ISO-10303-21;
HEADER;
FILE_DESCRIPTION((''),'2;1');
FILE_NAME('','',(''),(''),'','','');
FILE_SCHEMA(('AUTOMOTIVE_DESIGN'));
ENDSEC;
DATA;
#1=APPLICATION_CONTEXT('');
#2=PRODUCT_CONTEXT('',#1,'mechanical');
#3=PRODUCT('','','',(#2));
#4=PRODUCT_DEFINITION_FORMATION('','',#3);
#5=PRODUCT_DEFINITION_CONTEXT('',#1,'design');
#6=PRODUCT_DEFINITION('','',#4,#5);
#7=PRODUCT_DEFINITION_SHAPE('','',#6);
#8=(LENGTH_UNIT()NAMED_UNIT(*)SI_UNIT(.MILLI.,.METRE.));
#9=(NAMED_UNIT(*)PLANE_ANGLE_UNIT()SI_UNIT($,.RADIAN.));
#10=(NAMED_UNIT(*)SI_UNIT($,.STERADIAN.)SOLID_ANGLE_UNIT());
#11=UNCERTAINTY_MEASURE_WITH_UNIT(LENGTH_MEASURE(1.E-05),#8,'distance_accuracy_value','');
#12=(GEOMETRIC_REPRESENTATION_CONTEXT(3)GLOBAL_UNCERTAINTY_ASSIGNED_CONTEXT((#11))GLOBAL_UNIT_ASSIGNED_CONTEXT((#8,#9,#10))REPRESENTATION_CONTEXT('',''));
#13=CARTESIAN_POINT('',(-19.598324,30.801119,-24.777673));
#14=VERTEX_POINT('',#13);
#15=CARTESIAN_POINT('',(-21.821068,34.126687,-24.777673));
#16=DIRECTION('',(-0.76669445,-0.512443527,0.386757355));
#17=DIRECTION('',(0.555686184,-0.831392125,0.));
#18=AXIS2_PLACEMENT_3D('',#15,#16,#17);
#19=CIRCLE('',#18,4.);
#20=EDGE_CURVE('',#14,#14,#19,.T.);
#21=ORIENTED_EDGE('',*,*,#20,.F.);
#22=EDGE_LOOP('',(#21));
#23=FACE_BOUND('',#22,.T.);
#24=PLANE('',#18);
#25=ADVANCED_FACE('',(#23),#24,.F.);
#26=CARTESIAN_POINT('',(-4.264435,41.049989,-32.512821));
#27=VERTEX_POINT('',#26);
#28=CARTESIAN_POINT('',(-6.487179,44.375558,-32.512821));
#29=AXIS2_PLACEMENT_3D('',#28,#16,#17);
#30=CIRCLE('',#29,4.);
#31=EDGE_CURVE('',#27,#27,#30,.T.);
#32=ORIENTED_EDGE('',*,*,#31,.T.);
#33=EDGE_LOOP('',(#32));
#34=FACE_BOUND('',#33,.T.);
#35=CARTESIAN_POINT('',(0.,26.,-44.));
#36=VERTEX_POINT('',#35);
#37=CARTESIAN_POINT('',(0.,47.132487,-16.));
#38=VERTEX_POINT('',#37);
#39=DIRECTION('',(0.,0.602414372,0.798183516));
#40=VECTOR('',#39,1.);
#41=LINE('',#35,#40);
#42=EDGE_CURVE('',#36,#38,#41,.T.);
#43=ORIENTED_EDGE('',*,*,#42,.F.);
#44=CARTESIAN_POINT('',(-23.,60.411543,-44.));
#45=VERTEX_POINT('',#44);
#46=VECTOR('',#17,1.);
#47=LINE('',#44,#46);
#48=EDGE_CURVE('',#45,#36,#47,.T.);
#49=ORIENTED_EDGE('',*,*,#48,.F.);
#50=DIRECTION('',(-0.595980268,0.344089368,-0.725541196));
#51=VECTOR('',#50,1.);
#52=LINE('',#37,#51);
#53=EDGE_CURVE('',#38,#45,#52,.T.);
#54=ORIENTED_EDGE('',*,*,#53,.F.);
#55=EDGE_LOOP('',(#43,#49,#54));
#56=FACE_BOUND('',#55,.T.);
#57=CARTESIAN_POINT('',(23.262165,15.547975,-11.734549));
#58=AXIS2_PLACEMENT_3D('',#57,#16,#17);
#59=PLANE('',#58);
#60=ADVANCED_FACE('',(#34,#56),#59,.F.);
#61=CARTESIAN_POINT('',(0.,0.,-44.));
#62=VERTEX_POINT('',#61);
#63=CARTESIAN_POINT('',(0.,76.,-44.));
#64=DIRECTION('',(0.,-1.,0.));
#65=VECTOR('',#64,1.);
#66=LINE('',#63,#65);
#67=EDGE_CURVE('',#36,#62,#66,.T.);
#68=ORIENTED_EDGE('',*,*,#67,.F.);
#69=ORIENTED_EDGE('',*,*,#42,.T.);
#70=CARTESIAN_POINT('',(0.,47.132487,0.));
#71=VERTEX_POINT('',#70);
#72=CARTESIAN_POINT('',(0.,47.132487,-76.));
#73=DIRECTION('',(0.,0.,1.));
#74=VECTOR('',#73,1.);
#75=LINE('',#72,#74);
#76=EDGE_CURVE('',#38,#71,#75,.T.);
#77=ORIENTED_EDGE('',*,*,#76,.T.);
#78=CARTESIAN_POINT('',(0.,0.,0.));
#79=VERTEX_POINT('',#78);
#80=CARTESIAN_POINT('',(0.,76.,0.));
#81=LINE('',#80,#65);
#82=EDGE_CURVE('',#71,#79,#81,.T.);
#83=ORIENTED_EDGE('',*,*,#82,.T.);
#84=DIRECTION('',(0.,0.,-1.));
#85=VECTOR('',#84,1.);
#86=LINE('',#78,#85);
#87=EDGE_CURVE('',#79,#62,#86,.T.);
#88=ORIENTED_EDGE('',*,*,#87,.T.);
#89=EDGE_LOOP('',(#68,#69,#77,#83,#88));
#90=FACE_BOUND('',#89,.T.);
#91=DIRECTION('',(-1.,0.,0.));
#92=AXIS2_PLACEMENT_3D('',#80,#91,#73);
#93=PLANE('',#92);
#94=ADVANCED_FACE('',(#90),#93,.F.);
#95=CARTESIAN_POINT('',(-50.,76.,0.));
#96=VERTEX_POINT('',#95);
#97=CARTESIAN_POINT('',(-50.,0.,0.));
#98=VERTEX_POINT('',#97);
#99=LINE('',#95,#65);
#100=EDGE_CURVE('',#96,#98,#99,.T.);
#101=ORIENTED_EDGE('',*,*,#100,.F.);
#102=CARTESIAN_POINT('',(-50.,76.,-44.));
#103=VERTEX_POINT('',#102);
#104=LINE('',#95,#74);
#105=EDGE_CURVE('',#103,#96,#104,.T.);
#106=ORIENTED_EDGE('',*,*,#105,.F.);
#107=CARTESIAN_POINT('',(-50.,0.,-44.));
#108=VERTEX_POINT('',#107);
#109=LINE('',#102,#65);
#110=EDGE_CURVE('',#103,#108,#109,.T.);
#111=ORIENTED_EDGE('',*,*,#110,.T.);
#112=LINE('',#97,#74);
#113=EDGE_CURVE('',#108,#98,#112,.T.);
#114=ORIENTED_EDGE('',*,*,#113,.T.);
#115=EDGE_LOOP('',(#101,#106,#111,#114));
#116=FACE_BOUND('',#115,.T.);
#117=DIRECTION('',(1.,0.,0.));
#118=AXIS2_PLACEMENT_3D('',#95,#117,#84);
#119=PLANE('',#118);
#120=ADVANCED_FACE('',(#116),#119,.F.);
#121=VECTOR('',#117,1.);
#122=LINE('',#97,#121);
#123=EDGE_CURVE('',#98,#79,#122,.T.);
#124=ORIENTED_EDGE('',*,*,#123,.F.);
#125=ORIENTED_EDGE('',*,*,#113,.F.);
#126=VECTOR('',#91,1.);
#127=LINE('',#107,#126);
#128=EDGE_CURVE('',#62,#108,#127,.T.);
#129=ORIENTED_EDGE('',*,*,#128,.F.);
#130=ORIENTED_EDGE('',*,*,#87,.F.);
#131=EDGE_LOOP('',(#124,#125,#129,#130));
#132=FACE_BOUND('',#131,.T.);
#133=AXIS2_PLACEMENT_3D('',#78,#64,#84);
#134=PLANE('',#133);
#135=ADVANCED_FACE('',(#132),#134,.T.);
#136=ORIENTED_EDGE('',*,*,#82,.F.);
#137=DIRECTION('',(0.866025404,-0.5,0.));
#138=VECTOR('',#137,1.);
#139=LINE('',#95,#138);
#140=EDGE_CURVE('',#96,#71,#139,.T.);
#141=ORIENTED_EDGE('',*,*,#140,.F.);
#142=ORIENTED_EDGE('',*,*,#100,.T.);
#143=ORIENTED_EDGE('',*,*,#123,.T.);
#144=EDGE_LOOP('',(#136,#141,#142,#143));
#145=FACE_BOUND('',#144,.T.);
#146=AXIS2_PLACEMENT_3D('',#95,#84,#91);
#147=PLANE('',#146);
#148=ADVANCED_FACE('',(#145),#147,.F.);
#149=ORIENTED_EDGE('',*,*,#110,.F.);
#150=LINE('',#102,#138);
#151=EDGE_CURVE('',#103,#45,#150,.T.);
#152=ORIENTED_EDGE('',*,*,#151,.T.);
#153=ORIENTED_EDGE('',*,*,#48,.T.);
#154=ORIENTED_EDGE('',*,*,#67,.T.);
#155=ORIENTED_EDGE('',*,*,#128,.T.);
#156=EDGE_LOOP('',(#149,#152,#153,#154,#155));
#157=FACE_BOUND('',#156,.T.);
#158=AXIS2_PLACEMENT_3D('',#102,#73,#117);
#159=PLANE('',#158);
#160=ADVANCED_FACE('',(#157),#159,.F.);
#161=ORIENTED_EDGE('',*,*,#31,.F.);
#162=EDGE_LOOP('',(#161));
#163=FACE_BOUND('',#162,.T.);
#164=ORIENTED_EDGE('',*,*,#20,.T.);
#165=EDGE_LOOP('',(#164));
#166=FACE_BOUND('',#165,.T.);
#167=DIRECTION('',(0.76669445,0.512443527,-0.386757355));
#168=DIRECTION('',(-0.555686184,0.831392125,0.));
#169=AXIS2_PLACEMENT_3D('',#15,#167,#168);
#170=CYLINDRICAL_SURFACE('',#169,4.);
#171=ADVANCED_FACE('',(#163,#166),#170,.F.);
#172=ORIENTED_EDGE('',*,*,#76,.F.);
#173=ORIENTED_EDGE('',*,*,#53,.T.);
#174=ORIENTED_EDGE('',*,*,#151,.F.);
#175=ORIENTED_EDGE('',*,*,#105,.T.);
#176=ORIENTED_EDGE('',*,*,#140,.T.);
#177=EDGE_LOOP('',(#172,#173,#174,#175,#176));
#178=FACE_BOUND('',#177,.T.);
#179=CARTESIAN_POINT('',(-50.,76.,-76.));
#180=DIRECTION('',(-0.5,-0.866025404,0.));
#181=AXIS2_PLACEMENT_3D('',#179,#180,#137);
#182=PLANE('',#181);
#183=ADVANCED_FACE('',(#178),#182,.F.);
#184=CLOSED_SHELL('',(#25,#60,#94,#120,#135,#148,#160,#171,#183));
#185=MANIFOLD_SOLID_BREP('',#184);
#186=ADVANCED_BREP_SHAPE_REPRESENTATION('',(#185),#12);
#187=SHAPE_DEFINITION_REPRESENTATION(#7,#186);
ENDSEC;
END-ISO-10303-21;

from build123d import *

# Parameters (mm, degrees)
SKETCH2_W           = 50
SKETCH2_H           = 44
BOSS_EXTRUDE2_DEPTH = 76
CUT_EXTRUDE1_DEPTH  = 76
CUT_EXTRUDE2_DEPTH  = 76
SKETCH14_R          = 4
CUT_EXTRUDE3_DEPTH  = 20


with BuildPart() as part:
    # Sketch2 → Boss-Extrude2 (new body)
    with BuildSketch(Plane(origin=(0, 0, 0), x_dir=(1, 0, 0), z_dir=(0, 1, 0))):
        with Locations((-25, 22)):
            Rectangle(SKETCH2_W, SKETCH2_H)
    extrude(amount=BOSS_EXTRUDE2_DEPTH)

    # Sketch3 → Cut-Extrude1 (cut)
    with BuildSketch(Plane.XY):
        Polygon((-50, 76), (0, 47.132486541), (0, 76), align=None)
    extrude(amount=-CUT_EXTRUDE1_DEPTH, mode=Mode.SUBTRACT)

    # Sketch10 → Cut-Extrude2 (cut)
    with BuildSketch(Plane(origin=(23.262165395, 15.547974941, -11.734548971), x_dir=(0.3215470193165547, 0.21491571888839583, 0.9221815158326062), z_dir=(-0.7666944497450301, -0.5124435274969221, 0.38675735527159244))):
        Polygon((-4.625392025, 39.185578124), (-34.988178006, 63.006463096), (-34.988178006, 21.61619524), align=None)
    extrude(amount=-CUT_EXTRUDE2_DEPTH, mode=Mode.SUBTRACT)

    # Sketch14 → Cut-Extrude3 (cut)
    with BuildSketch(Plane(origin=(23.262165395, 15.547974941, -11.734548971), x_dir=(0.3215470193165547, 0.21491571888839583, 0.9221815158326062), z_dir=(-0.7666944497450301, -0.5124435274969221, 0.38675735527159244))):
        with Locations(Location((-22.531650424, 40.498325306, 0), (0, 0, 270))):
            Circle(SKETCH14_R)
    extrude(amount=CUT_EXTRUDE3_DEPTH, mode=Mode.SUBTRACT)


solid = part.part
